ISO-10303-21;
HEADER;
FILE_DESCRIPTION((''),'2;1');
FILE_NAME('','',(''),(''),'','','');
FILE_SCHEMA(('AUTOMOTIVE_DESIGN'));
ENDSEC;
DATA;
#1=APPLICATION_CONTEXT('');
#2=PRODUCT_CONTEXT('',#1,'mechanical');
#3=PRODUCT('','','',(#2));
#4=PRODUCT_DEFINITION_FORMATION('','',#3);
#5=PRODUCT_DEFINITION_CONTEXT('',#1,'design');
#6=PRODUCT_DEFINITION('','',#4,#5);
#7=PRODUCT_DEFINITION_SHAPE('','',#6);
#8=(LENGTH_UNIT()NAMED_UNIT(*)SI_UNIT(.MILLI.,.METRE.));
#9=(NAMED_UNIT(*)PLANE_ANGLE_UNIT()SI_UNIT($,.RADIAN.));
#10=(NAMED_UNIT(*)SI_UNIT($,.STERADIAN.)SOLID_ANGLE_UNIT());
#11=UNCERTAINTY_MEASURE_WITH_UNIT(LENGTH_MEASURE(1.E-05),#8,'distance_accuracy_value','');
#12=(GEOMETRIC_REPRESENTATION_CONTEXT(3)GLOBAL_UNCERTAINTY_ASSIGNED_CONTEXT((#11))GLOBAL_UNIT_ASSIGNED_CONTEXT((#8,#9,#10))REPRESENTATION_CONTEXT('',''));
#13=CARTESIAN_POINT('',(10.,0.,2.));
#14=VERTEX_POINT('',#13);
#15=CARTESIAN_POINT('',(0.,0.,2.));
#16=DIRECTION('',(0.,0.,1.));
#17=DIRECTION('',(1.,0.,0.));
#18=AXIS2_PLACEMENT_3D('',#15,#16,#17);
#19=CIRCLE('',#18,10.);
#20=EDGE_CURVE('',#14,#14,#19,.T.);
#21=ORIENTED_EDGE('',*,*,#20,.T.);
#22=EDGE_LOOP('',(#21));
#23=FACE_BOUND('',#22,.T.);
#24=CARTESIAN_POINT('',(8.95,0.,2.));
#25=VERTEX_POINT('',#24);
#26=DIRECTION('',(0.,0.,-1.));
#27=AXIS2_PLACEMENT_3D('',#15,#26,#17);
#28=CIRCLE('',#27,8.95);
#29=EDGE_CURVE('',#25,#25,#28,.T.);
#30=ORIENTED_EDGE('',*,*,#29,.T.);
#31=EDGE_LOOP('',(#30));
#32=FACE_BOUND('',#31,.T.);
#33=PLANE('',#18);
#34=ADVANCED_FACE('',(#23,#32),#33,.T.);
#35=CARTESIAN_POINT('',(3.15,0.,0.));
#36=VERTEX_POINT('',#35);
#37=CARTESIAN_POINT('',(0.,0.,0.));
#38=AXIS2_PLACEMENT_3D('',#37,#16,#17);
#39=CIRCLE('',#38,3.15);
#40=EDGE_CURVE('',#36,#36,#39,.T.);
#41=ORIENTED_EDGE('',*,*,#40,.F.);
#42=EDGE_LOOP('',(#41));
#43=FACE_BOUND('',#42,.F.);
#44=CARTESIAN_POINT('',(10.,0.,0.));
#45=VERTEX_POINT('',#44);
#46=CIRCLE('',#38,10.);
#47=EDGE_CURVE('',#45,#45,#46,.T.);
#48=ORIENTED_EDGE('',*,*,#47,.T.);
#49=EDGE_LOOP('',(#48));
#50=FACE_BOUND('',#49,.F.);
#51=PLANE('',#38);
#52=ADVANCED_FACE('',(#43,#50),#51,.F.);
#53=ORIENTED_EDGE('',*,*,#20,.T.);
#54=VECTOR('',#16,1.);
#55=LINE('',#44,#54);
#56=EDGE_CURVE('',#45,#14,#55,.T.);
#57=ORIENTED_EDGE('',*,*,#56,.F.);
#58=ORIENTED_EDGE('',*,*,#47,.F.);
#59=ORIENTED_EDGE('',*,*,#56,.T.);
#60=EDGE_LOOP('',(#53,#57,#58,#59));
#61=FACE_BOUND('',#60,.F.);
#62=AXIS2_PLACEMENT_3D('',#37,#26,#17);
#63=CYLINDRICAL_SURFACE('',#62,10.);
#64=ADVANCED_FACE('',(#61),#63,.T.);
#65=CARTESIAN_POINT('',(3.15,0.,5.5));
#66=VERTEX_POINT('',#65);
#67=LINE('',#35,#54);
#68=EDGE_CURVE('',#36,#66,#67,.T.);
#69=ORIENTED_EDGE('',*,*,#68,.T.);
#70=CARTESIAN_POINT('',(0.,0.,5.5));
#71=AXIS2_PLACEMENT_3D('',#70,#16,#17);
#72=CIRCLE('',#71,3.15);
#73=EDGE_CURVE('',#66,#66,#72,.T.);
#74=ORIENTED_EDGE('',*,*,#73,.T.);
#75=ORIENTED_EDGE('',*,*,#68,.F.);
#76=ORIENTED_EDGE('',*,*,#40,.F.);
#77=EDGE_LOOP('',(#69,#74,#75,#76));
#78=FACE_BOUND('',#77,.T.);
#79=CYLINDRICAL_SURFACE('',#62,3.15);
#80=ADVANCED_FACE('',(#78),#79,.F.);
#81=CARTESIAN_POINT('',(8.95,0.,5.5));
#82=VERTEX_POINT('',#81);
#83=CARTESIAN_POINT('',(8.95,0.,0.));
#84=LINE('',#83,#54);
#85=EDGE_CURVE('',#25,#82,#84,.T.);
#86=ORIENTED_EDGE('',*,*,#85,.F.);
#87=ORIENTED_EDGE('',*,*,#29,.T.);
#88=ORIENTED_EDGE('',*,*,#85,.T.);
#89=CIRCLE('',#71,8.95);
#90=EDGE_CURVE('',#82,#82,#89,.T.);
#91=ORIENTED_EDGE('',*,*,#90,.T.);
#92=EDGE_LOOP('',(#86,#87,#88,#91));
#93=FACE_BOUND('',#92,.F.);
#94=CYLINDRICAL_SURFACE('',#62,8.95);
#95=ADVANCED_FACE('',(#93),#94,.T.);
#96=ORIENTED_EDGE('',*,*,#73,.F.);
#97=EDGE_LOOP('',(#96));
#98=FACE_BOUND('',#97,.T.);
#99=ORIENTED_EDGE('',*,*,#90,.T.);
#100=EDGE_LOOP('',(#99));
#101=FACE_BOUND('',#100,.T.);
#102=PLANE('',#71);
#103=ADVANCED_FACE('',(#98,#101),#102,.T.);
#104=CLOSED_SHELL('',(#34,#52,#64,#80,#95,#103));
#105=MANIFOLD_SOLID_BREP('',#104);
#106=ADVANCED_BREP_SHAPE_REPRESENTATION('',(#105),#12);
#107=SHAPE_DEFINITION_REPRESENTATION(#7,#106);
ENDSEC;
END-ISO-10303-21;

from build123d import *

# Parameters (mm, degrees)
SKETCH_R      = 10
SKETCH_R_2    = 3.15
PAD_DEPTH     = 2
SKETCH001_R   = 8.95
SKETCH001_R_2 = 3.15
PAD001_DEPTH  = 5.5


with BuildPart() as part:
    # Sketch → Pad (new body)
    with BuildSketch(Plane.XY):
        Circle(SKETCH_R)
        Circle(SKETCH_R_2, mode=Mode.SUBTRACT)
    extrude(amount=PAD_DEPTH)

    # Sketch001 → Pad001 (join)
    with BuildSketch(Plane.XY):
        Circle(SKETCH001_R)
        Circle(SKETCH001_R_2, mode=Mode.SUBTRACT)
    extrude(amount=PAD001_DEPTH)


solid = part.part
